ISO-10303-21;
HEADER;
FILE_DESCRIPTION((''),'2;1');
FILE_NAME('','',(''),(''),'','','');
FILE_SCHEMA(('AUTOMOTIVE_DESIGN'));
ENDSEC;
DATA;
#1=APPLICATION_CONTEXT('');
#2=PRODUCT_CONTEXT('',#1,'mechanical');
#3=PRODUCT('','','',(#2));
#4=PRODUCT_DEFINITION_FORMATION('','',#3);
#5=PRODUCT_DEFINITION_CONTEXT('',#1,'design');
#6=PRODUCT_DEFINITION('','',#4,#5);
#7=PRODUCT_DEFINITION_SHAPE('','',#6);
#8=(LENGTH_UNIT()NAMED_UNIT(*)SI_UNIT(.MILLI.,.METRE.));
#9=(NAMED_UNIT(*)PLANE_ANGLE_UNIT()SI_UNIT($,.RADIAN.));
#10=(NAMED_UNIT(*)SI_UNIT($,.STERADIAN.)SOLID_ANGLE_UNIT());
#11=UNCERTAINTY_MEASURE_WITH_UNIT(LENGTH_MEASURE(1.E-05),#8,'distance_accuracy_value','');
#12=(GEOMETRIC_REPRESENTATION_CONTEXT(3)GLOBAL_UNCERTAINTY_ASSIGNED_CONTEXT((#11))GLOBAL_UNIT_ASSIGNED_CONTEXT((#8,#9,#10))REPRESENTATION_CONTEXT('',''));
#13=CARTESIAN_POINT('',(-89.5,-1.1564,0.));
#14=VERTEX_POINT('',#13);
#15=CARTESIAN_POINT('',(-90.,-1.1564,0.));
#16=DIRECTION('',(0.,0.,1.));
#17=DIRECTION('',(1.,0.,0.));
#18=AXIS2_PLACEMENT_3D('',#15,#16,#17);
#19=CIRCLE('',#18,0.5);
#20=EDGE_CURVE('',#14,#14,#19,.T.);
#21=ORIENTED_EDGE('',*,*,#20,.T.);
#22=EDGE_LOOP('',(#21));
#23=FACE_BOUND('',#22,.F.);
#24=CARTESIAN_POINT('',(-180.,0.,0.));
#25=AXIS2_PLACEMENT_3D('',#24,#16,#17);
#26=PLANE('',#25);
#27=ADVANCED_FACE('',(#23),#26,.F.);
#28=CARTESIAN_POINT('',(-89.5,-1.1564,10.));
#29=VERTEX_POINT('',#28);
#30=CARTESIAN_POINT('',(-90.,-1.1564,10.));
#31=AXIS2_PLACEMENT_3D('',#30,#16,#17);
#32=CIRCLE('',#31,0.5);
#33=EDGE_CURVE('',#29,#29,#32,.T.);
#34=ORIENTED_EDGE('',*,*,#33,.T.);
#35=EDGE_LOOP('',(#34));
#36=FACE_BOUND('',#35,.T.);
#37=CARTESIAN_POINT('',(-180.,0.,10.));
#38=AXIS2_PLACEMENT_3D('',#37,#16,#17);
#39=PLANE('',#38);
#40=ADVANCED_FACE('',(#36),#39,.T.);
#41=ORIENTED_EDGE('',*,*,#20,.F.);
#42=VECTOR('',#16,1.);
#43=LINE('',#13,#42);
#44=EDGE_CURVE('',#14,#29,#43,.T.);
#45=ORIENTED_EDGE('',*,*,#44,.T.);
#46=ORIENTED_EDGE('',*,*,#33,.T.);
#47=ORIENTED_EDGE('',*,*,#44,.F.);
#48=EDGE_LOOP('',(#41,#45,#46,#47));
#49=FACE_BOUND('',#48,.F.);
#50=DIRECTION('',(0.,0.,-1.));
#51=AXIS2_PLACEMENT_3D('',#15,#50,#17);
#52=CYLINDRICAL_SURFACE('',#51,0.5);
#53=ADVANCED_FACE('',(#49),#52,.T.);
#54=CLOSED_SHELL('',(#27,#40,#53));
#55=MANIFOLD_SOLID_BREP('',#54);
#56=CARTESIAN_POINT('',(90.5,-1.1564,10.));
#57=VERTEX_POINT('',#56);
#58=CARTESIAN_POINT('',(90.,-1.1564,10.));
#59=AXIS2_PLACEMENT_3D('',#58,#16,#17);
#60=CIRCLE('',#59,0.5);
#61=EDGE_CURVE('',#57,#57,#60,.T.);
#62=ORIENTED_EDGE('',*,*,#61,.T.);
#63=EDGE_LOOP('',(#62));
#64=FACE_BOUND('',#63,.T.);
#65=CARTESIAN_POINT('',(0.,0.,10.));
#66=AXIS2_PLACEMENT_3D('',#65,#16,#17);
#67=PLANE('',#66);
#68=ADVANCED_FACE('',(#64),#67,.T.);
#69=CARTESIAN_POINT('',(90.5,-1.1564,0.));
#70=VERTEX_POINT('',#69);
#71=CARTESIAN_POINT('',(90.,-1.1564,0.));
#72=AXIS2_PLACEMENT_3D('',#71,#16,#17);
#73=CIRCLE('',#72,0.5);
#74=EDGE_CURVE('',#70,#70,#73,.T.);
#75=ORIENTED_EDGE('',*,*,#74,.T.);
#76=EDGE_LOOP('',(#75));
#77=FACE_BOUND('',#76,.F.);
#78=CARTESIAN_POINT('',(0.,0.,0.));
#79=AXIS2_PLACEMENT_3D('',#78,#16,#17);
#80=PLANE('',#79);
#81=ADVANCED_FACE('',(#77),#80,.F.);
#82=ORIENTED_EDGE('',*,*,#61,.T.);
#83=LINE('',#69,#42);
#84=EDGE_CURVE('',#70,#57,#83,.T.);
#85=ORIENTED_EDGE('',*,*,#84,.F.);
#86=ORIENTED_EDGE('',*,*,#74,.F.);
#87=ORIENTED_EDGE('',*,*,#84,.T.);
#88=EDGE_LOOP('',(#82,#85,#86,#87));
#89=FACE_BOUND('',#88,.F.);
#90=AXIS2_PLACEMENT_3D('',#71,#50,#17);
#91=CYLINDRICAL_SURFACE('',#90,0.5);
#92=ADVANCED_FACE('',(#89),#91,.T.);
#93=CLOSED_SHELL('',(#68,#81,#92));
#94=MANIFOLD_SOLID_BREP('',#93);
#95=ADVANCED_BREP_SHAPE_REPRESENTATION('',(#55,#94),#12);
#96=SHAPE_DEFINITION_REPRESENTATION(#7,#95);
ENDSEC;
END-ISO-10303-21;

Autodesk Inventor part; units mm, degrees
ref_plane "YZ Plane" through (0, 0, 0) normal (1, 0, 0) x (0, 1, 0)
ref_plane "XZ Plane" through (0, 0, 0) normal (0, 1, 0) x (-1, 0, 0)
ref_plane "XY Plane" through (0, 0, 0) normal (0, 0, 1) x (1, 0, 0)
sketch "Sketch1" plane through (0, 0, 0) normal (0, 0, 1) x (1, 0, 0)
  line L0 (-150, -13.2005) -> (150, -13.2005)
  line L1 (150, -13.2005) -> (150, 13.2005)
  line L2 (150, 13.2005) -> (-150, 13.2005)
  line L3 (-150, 13.2005) -> (-150, -13.2005)
  line L4 (-150, -13.2005) -> (150, 13.2005) construction
  line L5 (150, -13.2005) -> (-150, 13.2005) construction
  point P0 (0, 0)
  dimension "d0" = 300
  dimension "d1" = 26.401
sketch "Lamello" plane through (0, 0, 0) normal (0, 0, 1) x (1, 0, 0)
  line L0 (48.383, 141.1858) -> (42.783, 141.1858)
  line L1 (40.583, 139.6858) -> (40.583, 114.6858)
  line L2 (42.783, 113.1858) -> (48.383, 113.1858)
  line L3 (50.583, 114.6858) -> (50.583, 139.6858)
  line L4 (50.583, 139.6858) -> (48.383, 141.1858)
  line L5 (40.583, 139.6858) -> (42.783, 141.1858)
  line L6 (40.583, 114.6858) -> (42.783, 113.1858)
  line L7 (50.583, 114.6858) -> (48.383, 113.1858)
  line L8 (50.583, 127.1858) -> (40.583, 127.1858)
  line L9 (45.583, 141.1858) -> (45.583, 113.1858)
  point P0 (45.583, 127.1858)
  point P1 (50.583, 141.1858)
  point P2 (40.583, 113.1858)
  point P3 (40.583, 141.1858)
  point P4 (50.583, 113.1858)
  dimension "d54" = 10
  dimension "d55" = 28
  dimension "d56" = 1.5
  dimension "d57" = 2.2
  dimension "d58" = 1.5
  dimension "d59" = 2.2
  dimension "d60" = 1.5
  dimension "d61" = 2.2
  dimension "d62" = 1.5
  dimension "d63" = 2.2
sketch "Sketch2" plane through (0, 0, 0) normal (0, 0, 1) x (1, 0, 0)
  circle A0 centre (90, -1.1564) radius 0.5
  line L0 (150, 13.2005) -> (-150, 13.2005) projected
  line L1 (-150, -13.2005) -> (150, -13.2005) projected
  line L2 (0, -128.9291) -> (0, 79.8215) projected
  line L3 (150, -13.2005) -> (150, 13.2005) projected
  point P0 (0, 0)
  dimension "d4" = 1
  dimension "d50" = 14.3569
  dimension "d70" = 60
extrude "Extrusion1" add sketch "Sketch2" along normal blind 10 contours A0
pattern_linear "Clamex Array" count 2 spacing 180 along (-1, 0, 0) of "Extrusion1"
sketch "Edge-Side Connection" plane through (0, 0, 0) normal (1, 0, 0) x (0, 1, 0)
  line L0 (-50, 0) -> (50, 0)
  line L1 (50, 0) -> (50, 37)
  line L2 (50, 37) -> (-50, 37)
  line L3 (-50, 37) -> (-50, 0)
  line L4 (-13.2005, 0) -> (-6.1474, -40)
  line L5 (-6.1474, -40) -> (20.2536, -40)
  line L6 (20.2536, -40) -> (13.2005, 0)
  line L7 (1.1564, -14) -> (1.1564, 14) construction
  line L8 (13.2005, 0) -> (6.1564, 0)
  line L9 (-3.8436, -12.5) -> (-10.7807, -13.7232)
  point P0 (0, 0)
  point P1 (13.2005, 0)
  point P2 (0, 0)
  dimension "d26" = 100
  dimension "d27" = 37
  dimension "d28" = 40
  dimension "OtherSideRefYCoordinate" = 14.3569
  dimension "ReferenceCoord" = 12.0441
  dimension "d49" = 80
sketch "Edge-Edge Connection" plane through (0, 0, 0) normal (1, 0, 0) x (0, 1, 0)
  line L0 (-99.1076, 37) -> (20.8924, 37)
  line L1 (20.8924, 37) -> (0, 0)
  line L2 (0, 0) -> (-99.1076, 0)
  line L3 (-99.1076, 0) -> (-99.1076, 37)
  line L4 (20.8924, 37) -> (41.7302, -81.1769)
  line L5 (0, 0) -> (15.1404, -85.8654)
  line L6 (15.1404, -85.8654) -> (41.7302, -81.1769)
  line L7 (5.8206, 10.3082) -> (0, 0)
  line L8 (-0.1471, 25.162) -> (-0.1471, 37)
  point P0 (8.2791, 14.662)
  dimension "d51" = 37
  dimension "d53" = 27
  dimension "EdgeEdgeReferenceCoord" = 16.838
  dimension "d65" = 100
  dimension "d66" = 120
  dimension "d67" = 120
  dimension "EdgeEdgeOtherSideRefYCoordinate" = 25.6531
equation "\"d9\" = Step"
equation "\"d27\" = NestleBoardT"
equation "\"d0\" = ContactPatchWidth"
equation "\"d1\" = ContactPatchHeight"
equation "\"ContactPatchWidth\" = 300"
equation "\"ContactPatchHeight\" = 26.401"
equation "\"MinDistBetween\" = 96"
equation "\"Step\" = 180"
equation "\"Y_Coord\" = 14.35688"
equation "\"NestleBoardT\" = 37"
equation "\"PillarBoardT\" = 27"
equation "\"AngleForYPositionCalc\" = 80deg"
equation "\"ConnectionAngle\" = 100deg"
equation "\"ShiftY\" = 0"
properties part number "Clamex Joint1600"
